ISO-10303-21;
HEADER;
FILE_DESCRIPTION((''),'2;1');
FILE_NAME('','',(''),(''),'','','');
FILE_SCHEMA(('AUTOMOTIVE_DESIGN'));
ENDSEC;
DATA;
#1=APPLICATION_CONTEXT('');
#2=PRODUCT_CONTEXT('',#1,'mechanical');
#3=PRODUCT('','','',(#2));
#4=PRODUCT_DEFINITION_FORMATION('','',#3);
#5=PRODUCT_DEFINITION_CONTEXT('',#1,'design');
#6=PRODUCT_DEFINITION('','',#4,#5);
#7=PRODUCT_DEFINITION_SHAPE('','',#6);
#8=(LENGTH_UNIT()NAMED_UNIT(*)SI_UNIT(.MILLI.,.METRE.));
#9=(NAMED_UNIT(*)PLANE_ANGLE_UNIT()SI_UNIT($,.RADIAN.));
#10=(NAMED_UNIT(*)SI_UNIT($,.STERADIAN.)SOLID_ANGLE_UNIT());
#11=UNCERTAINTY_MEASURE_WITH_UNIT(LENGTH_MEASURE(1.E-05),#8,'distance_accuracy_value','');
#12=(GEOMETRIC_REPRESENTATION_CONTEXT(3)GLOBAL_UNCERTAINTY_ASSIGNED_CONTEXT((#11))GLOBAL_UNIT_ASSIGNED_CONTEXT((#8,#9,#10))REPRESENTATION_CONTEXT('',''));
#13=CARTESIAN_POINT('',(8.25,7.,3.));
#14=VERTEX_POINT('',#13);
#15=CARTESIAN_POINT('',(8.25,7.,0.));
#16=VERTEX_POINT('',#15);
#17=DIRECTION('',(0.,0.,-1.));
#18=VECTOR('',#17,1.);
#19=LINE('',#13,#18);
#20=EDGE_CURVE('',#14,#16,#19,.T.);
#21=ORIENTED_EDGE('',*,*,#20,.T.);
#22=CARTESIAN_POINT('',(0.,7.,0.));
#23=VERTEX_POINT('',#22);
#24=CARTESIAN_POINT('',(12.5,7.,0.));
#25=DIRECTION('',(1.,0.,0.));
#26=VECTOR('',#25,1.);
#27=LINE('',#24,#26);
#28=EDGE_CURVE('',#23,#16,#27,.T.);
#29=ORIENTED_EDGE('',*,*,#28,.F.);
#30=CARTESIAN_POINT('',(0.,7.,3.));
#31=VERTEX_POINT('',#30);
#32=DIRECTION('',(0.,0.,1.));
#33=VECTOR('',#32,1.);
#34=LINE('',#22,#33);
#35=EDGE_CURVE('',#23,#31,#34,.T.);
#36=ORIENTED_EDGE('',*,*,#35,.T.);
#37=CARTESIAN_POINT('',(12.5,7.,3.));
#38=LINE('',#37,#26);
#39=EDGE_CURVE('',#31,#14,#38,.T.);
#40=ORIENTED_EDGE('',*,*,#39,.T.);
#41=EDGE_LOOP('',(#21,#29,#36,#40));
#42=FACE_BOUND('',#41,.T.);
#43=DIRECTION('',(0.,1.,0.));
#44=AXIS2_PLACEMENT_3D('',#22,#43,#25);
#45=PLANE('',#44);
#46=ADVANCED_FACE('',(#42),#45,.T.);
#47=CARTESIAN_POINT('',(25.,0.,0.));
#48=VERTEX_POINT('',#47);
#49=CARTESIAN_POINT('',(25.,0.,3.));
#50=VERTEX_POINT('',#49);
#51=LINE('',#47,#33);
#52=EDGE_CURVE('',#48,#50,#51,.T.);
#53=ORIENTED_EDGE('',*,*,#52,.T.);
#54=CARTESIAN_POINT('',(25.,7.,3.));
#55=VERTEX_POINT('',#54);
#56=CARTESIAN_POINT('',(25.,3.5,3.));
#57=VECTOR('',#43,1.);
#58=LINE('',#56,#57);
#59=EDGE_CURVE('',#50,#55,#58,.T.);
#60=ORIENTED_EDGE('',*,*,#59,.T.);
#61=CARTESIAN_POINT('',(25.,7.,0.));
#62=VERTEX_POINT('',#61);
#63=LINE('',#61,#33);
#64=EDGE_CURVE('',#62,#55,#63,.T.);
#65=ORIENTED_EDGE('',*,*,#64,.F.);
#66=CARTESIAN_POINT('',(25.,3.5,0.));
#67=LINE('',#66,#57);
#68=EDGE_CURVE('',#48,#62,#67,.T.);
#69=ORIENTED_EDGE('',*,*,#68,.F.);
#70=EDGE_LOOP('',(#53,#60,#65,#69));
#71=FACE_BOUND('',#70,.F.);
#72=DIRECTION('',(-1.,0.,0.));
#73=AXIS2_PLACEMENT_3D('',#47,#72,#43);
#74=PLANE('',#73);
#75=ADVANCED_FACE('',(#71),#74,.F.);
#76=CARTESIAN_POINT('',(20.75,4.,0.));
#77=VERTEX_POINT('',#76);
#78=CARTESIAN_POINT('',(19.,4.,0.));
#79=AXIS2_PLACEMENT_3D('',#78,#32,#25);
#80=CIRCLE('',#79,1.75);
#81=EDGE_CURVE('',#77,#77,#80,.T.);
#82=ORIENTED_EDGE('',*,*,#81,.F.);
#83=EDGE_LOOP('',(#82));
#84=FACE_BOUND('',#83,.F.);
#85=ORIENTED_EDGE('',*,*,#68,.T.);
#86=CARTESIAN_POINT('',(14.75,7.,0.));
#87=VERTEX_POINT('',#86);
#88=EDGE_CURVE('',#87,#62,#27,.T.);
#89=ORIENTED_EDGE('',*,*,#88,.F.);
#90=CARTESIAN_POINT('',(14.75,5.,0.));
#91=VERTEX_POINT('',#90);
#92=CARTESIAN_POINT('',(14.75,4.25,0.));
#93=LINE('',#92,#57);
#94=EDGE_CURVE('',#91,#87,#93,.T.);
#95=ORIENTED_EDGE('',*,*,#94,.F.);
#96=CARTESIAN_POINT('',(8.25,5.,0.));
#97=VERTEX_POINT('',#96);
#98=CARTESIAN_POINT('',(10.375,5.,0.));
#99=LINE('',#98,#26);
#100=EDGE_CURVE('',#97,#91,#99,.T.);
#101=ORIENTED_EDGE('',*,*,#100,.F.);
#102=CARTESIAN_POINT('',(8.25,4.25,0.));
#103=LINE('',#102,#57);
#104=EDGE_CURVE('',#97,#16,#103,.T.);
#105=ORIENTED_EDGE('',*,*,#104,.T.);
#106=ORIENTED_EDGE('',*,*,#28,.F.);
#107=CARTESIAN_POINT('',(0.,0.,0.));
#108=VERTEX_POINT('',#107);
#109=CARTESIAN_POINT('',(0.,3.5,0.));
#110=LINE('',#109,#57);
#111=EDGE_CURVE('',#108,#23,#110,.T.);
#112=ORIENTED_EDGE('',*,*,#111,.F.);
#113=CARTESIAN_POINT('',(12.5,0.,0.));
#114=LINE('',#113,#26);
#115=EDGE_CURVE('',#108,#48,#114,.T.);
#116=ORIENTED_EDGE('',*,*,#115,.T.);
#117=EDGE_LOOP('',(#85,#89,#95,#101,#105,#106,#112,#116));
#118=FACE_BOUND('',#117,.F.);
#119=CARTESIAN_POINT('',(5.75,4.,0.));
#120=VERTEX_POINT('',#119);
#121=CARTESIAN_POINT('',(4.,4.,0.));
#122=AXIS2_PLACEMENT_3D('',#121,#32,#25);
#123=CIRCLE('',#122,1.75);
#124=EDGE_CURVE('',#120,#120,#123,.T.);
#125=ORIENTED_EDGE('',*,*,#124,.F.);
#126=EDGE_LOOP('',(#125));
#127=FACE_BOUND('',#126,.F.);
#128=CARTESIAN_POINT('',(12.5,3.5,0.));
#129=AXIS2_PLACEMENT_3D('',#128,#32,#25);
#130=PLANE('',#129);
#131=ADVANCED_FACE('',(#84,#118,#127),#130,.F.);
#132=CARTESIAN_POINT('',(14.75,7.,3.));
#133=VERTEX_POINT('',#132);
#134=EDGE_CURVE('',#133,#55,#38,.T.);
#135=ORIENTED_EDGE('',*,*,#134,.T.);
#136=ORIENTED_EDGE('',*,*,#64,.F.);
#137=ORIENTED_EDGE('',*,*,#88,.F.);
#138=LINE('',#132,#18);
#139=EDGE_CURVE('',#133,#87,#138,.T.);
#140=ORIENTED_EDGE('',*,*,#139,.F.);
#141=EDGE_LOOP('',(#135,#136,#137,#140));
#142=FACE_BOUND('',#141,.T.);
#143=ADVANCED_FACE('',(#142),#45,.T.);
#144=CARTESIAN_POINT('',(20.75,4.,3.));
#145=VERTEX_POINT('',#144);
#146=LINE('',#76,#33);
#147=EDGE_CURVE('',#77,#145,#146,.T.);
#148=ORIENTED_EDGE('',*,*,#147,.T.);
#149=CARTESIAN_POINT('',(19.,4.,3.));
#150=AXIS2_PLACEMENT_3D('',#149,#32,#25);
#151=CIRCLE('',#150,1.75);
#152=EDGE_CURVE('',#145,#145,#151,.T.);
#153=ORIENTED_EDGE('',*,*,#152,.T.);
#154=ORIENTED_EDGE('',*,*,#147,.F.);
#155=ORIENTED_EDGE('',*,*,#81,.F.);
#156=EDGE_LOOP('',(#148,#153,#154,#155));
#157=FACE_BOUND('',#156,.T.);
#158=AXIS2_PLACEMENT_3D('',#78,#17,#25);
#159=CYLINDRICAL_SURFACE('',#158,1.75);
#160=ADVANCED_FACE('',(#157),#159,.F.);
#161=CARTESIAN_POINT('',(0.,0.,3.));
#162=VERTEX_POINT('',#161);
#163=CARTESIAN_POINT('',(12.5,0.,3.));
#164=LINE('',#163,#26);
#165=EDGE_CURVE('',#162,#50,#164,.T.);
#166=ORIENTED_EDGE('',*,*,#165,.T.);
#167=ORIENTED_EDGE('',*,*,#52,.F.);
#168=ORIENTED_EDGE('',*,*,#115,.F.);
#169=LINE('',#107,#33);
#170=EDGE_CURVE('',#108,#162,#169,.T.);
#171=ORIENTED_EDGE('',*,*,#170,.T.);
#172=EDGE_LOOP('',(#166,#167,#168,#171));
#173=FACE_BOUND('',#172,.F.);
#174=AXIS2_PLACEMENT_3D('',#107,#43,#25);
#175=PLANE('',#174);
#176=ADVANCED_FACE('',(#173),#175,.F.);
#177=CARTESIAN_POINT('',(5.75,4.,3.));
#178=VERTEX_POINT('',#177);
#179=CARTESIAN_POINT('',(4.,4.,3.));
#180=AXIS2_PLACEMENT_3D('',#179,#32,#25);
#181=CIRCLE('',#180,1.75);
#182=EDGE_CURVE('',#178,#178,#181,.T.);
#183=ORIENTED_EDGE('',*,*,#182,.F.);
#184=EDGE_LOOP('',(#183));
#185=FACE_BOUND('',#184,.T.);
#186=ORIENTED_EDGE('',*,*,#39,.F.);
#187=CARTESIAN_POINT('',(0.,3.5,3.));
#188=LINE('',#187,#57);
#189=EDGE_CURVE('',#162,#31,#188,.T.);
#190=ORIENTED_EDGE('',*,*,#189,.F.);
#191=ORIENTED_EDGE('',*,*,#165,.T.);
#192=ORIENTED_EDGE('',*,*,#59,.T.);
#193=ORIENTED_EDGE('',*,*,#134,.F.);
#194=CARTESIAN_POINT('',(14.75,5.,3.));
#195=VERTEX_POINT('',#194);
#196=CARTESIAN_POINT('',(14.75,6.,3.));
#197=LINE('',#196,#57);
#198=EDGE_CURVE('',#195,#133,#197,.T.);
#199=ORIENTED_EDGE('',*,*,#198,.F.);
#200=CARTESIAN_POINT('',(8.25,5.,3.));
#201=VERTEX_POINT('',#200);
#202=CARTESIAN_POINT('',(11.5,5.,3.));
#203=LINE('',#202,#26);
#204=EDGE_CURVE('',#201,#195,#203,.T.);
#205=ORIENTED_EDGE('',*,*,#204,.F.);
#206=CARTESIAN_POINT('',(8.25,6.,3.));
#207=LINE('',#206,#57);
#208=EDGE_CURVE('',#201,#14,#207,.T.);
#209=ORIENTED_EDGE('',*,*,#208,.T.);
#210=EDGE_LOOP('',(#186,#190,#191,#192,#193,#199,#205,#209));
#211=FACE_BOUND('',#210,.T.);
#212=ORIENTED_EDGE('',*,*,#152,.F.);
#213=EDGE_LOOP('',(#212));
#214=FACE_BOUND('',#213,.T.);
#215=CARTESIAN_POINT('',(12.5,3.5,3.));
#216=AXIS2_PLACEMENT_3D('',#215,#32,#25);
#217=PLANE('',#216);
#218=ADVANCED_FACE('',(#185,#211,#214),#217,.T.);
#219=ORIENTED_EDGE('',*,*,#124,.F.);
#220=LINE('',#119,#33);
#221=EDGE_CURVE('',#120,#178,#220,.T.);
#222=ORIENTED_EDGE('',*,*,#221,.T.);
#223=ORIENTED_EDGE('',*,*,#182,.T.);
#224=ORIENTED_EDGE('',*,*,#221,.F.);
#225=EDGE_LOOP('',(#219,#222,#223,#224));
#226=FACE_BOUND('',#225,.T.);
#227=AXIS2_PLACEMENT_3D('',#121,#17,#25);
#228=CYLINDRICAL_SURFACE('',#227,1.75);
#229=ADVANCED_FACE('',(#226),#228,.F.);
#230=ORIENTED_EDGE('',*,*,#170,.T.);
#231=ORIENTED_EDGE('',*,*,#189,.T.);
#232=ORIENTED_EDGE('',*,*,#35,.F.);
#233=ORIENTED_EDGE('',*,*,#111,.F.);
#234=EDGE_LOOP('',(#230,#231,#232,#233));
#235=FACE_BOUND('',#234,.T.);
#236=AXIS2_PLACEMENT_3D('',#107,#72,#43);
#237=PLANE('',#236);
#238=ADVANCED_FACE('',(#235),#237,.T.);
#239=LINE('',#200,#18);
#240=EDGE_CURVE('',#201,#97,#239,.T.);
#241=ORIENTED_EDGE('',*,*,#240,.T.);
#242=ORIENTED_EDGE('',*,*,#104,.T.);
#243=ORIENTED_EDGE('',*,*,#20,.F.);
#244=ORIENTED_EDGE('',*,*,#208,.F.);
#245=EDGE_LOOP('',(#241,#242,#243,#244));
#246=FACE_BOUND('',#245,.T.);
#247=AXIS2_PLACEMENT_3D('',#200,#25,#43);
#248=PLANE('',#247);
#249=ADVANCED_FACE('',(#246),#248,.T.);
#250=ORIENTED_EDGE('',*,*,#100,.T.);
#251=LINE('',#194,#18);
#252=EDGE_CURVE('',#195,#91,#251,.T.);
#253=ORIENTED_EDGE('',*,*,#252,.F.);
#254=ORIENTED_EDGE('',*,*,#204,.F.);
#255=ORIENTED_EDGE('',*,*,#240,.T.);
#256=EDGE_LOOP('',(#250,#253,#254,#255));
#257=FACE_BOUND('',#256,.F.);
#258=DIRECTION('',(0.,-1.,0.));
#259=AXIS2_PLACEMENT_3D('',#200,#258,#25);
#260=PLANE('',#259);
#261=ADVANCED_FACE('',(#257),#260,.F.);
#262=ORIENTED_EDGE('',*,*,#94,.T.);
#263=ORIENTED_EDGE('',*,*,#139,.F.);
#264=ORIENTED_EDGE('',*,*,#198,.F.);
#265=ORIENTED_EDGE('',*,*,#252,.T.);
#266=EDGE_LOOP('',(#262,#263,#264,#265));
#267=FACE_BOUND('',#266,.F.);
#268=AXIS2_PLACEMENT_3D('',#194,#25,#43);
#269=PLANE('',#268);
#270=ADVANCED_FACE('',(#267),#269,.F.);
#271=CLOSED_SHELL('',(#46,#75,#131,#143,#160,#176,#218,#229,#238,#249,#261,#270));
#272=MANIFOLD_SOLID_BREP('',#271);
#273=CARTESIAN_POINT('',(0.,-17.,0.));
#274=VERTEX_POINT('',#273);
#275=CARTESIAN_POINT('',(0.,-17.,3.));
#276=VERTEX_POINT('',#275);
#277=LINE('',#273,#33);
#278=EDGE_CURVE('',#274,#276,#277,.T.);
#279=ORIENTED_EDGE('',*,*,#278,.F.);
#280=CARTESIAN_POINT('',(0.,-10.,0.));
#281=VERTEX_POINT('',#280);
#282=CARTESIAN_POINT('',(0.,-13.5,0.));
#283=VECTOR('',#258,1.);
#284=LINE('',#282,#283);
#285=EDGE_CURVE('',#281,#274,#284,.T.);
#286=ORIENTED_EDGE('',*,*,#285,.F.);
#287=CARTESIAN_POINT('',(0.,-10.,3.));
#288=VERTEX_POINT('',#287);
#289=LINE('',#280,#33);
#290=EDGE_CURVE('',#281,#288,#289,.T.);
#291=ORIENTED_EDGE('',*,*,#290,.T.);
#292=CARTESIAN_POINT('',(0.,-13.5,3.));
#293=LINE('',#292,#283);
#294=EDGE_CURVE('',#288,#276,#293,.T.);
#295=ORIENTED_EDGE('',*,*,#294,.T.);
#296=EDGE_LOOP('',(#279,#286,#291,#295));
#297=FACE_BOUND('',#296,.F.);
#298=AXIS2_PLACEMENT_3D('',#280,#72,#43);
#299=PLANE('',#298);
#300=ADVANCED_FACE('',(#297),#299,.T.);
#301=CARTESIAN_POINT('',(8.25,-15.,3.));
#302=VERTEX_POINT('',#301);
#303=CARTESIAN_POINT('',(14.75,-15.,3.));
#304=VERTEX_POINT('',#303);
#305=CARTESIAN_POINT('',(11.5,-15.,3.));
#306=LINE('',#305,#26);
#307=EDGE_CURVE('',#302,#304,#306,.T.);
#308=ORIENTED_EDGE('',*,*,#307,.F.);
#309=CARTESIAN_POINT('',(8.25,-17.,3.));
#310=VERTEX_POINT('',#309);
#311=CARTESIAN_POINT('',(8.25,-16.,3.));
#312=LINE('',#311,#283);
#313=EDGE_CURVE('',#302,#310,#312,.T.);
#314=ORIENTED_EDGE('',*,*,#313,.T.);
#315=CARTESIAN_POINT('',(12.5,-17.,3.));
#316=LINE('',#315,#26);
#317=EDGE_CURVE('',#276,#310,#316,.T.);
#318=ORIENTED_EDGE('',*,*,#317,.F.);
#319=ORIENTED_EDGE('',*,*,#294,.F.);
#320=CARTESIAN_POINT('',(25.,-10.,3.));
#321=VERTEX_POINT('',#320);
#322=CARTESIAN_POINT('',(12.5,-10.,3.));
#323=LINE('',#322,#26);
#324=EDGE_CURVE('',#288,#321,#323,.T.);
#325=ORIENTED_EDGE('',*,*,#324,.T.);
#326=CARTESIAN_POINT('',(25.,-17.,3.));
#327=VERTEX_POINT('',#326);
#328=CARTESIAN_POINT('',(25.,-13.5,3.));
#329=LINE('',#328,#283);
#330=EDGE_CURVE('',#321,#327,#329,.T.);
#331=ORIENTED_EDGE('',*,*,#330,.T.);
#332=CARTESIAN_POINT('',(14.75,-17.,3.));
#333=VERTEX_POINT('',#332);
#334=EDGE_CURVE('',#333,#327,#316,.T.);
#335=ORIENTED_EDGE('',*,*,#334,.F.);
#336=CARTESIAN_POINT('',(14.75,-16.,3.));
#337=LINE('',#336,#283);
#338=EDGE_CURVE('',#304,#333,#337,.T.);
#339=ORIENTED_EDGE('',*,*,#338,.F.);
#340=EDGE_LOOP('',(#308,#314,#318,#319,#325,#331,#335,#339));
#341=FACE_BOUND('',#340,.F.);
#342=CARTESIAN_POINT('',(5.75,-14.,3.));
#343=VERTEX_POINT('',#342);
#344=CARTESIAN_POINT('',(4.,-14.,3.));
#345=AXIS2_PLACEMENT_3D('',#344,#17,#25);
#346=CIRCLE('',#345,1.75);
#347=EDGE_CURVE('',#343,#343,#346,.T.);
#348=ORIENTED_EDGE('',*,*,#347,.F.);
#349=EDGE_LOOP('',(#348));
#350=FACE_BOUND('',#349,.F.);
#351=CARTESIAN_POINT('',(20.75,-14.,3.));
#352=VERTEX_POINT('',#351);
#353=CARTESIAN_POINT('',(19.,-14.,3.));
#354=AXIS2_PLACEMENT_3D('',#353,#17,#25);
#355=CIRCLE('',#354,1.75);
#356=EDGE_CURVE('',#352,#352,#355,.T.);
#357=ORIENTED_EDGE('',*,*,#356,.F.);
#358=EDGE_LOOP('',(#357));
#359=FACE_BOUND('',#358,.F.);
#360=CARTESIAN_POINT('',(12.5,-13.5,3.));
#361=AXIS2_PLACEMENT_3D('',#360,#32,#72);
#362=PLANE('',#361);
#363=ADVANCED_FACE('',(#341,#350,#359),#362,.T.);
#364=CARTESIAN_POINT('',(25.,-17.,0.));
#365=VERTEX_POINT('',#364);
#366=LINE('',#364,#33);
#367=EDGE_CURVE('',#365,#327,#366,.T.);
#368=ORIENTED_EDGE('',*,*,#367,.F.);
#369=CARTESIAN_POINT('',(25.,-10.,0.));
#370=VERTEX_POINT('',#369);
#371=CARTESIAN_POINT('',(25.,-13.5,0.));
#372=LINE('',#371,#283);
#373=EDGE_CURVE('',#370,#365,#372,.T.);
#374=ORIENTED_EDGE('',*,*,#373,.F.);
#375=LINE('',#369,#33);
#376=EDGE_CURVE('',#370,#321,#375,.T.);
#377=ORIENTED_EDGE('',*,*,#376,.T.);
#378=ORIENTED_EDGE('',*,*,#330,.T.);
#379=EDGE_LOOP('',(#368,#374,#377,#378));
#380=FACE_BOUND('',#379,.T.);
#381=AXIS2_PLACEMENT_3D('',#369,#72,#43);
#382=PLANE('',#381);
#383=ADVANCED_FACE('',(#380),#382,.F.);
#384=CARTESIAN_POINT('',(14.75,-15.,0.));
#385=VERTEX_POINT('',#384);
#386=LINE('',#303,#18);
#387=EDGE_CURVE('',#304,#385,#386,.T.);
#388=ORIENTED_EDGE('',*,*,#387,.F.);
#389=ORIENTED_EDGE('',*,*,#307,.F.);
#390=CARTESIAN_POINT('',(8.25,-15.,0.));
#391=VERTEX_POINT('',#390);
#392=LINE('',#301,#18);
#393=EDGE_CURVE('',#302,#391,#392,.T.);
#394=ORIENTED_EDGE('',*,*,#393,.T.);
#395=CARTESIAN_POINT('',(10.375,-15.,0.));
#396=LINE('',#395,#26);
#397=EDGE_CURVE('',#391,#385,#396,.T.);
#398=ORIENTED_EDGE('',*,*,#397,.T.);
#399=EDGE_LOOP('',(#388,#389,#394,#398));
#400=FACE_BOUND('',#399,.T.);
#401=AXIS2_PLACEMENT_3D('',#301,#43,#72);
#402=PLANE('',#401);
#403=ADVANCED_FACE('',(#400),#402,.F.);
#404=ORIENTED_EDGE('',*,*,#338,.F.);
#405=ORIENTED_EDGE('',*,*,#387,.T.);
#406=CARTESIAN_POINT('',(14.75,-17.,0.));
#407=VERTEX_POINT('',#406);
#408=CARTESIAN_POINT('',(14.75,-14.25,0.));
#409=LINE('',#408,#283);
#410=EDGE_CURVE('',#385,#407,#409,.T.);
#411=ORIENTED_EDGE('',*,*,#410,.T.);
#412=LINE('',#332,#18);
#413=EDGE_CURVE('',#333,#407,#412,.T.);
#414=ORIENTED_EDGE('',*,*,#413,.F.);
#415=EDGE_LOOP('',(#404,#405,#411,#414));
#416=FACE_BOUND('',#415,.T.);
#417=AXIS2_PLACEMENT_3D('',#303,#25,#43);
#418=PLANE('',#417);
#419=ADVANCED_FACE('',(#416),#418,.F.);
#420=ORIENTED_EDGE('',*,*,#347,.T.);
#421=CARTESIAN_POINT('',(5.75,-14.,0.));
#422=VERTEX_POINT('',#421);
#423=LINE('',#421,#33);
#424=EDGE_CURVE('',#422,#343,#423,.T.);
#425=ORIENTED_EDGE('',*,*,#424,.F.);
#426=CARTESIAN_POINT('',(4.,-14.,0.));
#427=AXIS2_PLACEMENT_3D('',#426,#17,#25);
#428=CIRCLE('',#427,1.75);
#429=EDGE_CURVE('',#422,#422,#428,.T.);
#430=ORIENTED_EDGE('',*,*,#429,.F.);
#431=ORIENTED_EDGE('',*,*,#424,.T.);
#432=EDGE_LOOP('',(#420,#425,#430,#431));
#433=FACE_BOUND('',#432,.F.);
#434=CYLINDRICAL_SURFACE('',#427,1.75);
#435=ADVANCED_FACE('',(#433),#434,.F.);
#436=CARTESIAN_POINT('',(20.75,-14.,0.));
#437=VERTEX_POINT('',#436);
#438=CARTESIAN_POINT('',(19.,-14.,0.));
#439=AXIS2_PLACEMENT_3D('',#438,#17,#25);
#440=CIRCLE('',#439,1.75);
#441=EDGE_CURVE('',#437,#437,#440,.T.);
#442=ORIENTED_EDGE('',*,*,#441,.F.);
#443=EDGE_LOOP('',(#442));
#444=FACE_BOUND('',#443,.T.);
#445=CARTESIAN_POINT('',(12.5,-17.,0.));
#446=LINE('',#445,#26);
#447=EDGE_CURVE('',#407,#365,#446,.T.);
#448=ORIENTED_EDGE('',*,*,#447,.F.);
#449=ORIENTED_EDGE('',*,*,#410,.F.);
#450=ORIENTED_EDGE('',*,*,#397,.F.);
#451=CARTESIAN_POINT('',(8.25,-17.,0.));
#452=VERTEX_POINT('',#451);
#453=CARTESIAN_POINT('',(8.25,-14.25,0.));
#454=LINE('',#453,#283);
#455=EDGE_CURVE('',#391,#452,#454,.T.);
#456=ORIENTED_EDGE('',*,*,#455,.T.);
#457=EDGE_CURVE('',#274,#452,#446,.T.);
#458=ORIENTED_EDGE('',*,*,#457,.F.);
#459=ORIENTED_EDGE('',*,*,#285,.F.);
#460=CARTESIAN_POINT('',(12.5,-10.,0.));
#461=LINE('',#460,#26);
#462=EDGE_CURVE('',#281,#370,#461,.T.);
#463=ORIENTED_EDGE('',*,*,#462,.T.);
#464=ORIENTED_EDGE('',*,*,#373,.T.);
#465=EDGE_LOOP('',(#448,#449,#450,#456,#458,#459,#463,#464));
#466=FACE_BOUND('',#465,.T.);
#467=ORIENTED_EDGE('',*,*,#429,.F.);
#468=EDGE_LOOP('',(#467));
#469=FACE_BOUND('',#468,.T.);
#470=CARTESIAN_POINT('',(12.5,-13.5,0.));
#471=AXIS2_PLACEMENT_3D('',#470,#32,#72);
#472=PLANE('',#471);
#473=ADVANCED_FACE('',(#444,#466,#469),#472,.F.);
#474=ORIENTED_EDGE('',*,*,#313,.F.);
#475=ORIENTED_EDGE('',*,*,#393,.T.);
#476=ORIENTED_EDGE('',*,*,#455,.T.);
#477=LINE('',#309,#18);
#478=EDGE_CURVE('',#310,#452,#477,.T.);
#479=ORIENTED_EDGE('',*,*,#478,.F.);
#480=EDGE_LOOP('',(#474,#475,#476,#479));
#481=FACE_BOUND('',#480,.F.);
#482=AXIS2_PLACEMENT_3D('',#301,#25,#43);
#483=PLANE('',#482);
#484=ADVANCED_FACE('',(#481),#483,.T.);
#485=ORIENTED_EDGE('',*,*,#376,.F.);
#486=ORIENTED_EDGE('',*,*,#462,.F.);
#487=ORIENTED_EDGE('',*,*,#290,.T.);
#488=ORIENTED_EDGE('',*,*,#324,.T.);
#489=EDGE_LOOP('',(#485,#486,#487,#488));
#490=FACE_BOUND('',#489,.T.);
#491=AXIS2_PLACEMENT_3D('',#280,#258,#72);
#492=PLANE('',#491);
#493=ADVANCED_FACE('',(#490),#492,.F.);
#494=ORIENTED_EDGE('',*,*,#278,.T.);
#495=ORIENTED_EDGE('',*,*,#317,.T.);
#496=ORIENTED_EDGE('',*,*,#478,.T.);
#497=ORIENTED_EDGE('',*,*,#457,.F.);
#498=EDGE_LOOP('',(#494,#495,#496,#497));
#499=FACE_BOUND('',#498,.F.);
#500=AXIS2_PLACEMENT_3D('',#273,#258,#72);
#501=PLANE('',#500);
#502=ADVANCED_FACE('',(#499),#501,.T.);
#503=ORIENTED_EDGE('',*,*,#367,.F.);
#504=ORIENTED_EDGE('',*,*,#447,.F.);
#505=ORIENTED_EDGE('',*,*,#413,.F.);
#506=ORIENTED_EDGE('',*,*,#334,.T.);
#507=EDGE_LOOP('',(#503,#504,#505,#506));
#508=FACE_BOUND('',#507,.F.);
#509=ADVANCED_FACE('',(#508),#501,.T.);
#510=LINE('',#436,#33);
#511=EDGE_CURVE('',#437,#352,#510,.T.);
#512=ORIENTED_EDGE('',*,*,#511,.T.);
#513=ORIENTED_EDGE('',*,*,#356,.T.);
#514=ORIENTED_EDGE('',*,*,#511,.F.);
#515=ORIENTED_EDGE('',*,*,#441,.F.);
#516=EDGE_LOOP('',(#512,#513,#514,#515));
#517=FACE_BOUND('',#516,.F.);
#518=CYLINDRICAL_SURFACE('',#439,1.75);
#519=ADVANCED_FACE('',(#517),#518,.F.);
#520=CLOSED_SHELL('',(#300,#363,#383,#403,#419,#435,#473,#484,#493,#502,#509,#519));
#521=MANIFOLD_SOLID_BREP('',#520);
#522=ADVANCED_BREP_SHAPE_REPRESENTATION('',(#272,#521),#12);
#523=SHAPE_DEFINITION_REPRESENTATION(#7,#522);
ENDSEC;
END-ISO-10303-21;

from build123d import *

# Parameters (mm, degrees)
F0_W     = 25
F0_H     = 7
F0_R     = 1.75
F1_DEPTH = 3
F2_W     = 6.5
F2_H     = 2
F3_DEPTH = 3.001


with BuildPart() as f1:
    # F0 (on Top) → F1 (new body)
    with BuildSketch(Plane.XY):
        with Locations((12.5, 3.5)):
            Rectangle(F0_W, F0_H)
        with Locations((4, 4)):
            Circle(F0_R, mode=Mode.SUBTRACT)
        with Locations((19, 4)):
            Circle(F0_R, mode=Mode.SUBTRACT)
    extrude(amount=F1_DEPTH)

    # F2 (on face) → F3 (cut, through all)
    with BuildSketch(Plane.XY.offset(3)):
        with Locations((11.5, 6)):
            Rectangle(F2_W, F2_H)
    extrude(amount=-F3_DEPTH, mode=Mode.SUBTRACT)


with BuildPart() as f5_1:
    # F5: instance of F1
    add(f1.part.mirror(Plane(origin=(12.5, -5, 1.5), x_dir=(1, 0, 0), z_dir=(0, -1, 0))))


solid = Compound([f1.part, f5_1.part])
